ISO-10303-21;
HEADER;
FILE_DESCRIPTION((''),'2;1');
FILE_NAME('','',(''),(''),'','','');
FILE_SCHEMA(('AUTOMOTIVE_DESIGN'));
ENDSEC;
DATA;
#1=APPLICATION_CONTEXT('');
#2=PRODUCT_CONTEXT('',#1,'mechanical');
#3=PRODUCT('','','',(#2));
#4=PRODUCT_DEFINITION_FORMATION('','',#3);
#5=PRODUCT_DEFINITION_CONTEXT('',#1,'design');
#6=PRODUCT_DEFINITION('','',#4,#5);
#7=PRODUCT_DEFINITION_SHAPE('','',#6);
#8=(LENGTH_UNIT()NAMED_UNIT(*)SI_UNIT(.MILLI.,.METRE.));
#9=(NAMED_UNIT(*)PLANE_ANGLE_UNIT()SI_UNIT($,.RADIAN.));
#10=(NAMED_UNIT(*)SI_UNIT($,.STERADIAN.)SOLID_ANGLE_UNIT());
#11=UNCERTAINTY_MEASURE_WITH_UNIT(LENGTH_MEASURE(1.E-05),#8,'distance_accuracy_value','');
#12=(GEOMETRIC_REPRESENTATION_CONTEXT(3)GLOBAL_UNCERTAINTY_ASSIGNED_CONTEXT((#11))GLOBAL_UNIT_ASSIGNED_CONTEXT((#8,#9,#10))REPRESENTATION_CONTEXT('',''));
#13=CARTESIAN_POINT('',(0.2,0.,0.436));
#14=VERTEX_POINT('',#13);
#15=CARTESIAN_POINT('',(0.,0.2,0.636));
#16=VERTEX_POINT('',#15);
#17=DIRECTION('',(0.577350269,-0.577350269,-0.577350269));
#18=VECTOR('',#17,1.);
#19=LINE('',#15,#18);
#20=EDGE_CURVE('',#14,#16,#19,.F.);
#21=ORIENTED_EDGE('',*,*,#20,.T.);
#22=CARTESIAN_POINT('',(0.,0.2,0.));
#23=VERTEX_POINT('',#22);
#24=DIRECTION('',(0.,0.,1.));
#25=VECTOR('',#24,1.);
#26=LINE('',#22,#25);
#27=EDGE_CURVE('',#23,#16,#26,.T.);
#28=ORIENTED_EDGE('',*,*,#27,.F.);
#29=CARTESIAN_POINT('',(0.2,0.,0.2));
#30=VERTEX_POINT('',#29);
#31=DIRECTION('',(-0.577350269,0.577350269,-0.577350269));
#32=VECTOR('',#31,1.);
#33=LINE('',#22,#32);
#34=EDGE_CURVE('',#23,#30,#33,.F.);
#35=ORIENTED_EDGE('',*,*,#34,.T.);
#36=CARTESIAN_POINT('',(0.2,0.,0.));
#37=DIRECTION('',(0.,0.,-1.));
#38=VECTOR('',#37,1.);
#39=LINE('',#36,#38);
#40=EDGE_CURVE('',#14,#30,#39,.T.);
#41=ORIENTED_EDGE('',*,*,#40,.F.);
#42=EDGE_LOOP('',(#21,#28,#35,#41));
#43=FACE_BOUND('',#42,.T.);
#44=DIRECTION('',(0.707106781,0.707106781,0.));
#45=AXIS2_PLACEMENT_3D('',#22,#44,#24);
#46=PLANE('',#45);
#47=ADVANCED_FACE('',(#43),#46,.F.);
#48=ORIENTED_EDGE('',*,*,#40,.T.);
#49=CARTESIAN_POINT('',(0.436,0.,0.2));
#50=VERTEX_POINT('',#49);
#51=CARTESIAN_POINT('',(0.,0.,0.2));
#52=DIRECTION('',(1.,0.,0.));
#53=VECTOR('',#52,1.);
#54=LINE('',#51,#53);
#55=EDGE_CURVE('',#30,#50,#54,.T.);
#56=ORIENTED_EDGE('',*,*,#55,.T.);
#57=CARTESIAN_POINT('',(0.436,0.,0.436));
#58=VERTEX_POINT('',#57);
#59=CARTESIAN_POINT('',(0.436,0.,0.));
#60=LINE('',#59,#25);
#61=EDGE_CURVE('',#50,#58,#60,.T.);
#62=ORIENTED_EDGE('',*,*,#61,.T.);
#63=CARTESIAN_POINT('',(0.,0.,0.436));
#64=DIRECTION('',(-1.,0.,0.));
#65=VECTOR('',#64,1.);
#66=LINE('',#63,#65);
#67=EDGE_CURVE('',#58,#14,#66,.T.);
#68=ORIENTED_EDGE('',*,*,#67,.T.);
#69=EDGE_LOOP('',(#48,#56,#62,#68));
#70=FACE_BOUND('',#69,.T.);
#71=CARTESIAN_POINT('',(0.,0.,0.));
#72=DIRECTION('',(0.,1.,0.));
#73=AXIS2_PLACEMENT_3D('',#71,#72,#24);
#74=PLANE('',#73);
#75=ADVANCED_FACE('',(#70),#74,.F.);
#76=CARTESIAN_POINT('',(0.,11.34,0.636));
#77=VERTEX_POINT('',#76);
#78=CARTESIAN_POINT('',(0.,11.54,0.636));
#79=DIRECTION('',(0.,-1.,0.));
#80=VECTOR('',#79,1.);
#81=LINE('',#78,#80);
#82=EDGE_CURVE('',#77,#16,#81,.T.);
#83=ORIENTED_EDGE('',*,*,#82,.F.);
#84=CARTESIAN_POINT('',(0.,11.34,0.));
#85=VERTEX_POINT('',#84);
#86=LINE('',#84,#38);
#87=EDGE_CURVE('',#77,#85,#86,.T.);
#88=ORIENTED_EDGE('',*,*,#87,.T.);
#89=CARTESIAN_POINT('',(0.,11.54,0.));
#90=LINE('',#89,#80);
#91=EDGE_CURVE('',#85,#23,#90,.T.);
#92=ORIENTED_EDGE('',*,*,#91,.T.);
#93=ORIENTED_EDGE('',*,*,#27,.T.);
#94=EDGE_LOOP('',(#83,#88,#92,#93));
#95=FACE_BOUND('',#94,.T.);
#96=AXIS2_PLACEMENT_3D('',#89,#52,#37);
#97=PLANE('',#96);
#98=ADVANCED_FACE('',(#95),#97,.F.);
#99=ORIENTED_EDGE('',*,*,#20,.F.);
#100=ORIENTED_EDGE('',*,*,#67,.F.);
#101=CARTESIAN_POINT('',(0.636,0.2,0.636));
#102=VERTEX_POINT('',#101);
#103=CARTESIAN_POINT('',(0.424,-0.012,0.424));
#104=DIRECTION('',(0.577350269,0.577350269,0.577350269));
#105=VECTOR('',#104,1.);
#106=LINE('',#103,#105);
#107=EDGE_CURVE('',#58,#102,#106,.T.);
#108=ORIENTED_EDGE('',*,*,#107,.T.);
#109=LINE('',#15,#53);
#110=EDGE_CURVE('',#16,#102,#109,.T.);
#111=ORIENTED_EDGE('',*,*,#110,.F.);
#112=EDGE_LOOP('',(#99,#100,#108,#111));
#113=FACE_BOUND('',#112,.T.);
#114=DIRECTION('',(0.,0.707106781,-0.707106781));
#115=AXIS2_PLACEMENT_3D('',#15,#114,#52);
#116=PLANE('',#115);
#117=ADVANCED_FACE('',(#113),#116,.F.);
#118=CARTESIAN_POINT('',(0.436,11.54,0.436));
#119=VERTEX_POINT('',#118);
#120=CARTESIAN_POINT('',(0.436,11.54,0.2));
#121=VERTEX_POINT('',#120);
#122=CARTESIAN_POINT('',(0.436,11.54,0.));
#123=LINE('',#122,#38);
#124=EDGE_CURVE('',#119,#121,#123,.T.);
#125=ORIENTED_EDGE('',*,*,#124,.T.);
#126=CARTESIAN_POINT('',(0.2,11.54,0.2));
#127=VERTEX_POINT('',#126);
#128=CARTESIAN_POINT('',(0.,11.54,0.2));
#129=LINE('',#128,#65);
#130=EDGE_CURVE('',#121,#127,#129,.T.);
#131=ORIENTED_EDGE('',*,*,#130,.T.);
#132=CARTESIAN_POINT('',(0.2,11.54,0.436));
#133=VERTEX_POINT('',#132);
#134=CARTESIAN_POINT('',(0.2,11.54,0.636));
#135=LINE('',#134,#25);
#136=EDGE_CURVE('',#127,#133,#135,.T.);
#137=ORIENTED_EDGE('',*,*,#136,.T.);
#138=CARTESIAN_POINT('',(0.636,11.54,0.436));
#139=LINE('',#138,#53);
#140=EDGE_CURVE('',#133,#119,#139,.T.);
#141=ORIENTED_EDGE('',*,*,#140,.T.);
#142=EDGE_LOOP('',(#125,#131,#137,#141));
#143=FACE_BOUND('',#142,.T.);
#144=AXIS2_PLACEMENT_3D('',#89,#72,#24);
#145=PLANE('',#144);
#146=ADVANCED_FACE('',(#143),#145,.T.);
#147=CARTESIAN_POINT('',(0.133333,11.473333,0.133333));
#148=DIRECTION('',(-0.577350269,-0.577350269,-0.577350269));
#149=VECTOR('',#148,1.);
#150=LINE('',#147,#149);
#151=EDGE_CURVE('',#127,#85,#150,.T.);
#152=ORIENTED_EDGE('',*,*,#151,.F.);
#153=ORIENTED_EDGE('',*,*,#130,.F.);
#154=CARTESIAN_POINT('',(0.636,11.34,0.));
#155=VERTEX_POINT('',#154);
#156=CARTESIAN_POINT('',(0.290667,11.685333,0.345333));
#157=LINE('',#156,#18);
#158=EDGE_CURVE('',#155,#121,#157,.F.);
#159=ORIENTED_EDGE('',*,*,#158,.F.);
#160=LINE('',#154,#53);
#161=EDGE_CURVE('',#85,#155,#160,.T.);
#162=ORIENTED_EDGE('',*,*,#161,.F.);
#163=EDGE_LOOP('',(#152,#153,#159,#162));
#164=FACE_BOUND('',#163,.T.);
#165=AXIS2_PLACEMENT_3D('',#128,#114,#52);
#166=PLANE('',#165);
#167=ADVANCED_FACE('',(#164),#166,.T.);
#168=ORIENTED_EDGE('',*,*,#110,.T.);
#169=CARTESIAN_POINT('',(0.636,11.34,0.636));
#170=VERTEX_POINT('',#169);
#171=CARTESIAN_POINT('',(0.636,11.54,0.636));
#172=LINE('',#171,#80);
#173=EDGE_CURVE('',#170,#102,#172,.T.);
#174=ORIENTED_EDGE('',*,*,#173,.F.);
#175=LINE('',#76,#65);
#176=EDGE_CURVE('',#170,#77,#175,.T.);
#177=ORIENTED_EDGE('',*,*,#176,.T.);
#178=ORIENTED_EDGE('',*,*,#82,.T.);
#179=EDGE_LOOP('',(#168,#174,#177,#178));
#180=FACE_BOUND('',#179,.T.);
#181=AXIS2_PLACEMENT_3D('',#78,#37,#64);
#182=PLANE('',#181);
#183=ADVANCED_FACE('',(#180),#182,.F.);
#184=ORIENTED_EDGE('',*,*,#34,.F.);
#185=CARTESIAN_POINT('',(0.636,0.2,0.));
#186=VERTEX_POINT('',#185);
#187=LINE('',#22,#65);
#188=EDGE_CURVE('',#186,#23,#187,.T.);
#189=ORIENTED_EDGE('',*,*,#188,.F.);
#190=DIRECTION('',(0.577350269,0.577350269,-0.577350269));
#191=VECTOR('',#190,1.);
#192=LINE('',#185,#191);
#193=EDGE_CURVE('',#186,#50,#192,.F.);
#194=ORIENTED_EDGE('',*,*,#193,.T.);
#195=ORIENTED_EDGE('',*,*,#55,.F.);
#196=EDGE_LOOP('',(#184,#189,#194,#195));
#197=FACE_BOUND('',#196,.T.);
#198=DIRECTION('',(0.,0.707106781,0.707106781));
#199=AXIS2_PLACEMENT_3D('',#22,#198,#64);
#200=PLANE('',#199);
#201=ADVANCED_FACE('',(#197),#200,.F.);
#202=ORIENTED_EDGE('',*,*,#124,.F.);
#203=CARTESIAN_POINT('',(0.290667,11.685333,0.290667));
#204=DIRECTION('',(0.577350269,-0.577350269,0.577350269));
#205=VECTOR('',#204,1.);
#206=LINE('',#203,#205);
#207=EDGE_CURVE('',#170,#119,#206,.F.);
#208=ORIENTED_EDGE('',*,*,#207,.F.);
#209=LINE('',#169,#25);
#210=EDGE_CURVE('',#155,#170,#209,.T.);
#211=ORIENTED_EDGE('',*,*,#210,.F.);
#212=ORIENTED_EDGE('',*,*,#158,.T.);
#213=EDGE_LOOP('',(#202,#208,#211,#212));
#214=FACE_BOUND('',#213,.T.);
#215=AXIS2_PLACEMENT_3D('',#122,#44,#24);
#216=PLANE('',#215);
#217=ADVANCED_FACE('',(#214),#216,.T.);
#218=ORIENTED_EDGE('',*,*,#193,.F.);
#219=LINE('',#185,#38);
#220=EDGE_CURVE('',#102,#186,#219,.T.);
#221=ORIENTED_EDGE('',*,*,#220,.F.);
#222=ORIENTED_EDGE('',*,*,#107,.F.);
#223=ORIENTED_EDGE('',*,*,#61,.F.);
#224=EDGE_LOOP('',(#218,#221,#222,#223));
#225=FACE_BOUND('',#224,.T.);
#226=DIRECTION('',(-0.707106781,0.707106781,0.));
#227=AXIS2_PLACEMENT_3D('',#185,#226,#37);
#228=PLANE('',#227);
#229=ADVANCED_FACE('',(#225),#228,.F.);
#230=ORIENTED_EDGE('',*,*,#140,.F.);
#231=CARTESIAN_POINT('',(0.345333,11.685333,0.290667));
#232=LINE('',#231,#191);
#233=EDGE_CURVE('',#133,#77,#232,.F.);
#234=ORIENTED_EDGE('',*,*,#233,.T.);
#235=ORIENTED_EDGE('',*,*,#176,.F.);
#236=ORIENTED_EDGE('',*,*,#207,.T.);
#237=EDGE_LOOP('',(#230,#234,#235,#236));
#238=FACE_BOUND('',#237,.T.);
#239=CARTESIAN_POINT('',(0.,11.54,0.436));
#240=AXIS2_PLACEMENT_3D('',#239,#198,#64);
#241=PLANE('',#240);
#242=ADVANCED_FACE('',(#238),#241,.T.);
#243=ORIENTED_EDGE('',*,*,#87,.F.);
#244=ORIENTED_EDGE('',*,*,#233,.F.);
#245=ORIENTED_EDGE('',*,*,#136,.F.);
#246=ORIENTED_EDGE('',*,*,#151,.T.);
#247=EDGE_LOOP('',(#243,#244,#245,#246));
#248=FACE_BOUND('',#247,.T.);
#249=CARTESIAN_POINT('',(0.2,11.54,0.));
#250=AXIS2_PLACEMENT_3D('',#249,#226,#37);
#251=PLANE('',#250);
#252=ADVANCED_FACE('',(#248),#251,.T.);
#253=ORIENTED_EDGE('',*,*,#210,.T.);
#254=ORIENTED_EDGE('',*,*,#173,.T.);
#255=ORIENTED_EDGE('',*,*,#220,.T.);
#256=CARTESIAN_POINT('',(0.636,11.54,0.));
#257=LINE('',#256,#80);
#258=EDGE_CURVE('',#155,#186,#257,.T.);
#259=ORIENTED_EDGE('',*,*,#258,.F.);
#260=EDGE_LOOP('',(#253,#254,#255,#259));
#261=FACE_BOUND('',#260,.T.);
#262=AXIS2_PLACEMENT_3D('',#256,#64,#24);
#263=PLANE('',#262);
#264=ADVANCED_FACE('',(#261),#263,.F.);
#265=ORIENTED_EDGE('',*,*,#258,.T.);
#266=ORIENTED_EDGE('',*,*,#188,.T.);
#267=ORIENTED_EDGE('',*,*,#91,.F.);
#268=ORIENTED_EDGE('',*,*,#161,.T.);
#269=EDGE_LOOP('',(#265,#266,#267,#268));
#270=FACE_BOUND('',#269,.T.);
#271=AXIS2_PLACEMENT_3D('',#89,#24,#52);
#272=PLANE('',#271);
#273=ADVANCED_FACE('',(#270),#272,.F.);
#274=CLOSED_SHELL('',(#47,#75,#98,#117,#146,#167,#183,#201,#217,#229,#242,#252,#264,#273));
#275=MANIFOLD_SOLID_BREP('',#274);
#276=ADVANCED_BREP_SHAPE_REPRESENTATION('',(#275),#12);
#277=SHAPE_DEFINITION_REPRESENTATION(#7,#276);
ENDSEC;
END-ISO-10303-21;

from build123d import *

# Parameters (mm, degrees)
PIN_DRAWING_W = 0.636
PIN_DRAWING_H = 0.636
PIN_DEPTH     = 11.54
CHAMFER2_SIZE = 0.2


with BuildPart() as part:
    # pin_drawing → pin (new body)
    with BuildSketch(Plane(origin=(0, 0, 0), x_dir=(1, 0, 0), z_dir=(0, 1, 0))):
        with Locations((0.318, -0.318)):
            Rectangle(PIN_DRAWING_W, PIN_DRAWING_H)
    extrude(amount=PIN_DEPTH)

    # Chamfer2
    chamfer2_edges = [part.edges().sort_by_distance(p)[0] for p in [
        (0.636, 11.54, 0.318),
        (0.318, 11.54, 0),
        (0, 11.54, 0.318),
        (0.318, 0, 0),
        (0.636, 0, 0.318),
        (0.318, 0, 0.636),
        (0, 0, 0.318),
        (0.318, 11.54, 0.636),
    ]]
    chamfer(chamfer2_edges, length=CHAMFER2_SIZE)


solid = part.part
